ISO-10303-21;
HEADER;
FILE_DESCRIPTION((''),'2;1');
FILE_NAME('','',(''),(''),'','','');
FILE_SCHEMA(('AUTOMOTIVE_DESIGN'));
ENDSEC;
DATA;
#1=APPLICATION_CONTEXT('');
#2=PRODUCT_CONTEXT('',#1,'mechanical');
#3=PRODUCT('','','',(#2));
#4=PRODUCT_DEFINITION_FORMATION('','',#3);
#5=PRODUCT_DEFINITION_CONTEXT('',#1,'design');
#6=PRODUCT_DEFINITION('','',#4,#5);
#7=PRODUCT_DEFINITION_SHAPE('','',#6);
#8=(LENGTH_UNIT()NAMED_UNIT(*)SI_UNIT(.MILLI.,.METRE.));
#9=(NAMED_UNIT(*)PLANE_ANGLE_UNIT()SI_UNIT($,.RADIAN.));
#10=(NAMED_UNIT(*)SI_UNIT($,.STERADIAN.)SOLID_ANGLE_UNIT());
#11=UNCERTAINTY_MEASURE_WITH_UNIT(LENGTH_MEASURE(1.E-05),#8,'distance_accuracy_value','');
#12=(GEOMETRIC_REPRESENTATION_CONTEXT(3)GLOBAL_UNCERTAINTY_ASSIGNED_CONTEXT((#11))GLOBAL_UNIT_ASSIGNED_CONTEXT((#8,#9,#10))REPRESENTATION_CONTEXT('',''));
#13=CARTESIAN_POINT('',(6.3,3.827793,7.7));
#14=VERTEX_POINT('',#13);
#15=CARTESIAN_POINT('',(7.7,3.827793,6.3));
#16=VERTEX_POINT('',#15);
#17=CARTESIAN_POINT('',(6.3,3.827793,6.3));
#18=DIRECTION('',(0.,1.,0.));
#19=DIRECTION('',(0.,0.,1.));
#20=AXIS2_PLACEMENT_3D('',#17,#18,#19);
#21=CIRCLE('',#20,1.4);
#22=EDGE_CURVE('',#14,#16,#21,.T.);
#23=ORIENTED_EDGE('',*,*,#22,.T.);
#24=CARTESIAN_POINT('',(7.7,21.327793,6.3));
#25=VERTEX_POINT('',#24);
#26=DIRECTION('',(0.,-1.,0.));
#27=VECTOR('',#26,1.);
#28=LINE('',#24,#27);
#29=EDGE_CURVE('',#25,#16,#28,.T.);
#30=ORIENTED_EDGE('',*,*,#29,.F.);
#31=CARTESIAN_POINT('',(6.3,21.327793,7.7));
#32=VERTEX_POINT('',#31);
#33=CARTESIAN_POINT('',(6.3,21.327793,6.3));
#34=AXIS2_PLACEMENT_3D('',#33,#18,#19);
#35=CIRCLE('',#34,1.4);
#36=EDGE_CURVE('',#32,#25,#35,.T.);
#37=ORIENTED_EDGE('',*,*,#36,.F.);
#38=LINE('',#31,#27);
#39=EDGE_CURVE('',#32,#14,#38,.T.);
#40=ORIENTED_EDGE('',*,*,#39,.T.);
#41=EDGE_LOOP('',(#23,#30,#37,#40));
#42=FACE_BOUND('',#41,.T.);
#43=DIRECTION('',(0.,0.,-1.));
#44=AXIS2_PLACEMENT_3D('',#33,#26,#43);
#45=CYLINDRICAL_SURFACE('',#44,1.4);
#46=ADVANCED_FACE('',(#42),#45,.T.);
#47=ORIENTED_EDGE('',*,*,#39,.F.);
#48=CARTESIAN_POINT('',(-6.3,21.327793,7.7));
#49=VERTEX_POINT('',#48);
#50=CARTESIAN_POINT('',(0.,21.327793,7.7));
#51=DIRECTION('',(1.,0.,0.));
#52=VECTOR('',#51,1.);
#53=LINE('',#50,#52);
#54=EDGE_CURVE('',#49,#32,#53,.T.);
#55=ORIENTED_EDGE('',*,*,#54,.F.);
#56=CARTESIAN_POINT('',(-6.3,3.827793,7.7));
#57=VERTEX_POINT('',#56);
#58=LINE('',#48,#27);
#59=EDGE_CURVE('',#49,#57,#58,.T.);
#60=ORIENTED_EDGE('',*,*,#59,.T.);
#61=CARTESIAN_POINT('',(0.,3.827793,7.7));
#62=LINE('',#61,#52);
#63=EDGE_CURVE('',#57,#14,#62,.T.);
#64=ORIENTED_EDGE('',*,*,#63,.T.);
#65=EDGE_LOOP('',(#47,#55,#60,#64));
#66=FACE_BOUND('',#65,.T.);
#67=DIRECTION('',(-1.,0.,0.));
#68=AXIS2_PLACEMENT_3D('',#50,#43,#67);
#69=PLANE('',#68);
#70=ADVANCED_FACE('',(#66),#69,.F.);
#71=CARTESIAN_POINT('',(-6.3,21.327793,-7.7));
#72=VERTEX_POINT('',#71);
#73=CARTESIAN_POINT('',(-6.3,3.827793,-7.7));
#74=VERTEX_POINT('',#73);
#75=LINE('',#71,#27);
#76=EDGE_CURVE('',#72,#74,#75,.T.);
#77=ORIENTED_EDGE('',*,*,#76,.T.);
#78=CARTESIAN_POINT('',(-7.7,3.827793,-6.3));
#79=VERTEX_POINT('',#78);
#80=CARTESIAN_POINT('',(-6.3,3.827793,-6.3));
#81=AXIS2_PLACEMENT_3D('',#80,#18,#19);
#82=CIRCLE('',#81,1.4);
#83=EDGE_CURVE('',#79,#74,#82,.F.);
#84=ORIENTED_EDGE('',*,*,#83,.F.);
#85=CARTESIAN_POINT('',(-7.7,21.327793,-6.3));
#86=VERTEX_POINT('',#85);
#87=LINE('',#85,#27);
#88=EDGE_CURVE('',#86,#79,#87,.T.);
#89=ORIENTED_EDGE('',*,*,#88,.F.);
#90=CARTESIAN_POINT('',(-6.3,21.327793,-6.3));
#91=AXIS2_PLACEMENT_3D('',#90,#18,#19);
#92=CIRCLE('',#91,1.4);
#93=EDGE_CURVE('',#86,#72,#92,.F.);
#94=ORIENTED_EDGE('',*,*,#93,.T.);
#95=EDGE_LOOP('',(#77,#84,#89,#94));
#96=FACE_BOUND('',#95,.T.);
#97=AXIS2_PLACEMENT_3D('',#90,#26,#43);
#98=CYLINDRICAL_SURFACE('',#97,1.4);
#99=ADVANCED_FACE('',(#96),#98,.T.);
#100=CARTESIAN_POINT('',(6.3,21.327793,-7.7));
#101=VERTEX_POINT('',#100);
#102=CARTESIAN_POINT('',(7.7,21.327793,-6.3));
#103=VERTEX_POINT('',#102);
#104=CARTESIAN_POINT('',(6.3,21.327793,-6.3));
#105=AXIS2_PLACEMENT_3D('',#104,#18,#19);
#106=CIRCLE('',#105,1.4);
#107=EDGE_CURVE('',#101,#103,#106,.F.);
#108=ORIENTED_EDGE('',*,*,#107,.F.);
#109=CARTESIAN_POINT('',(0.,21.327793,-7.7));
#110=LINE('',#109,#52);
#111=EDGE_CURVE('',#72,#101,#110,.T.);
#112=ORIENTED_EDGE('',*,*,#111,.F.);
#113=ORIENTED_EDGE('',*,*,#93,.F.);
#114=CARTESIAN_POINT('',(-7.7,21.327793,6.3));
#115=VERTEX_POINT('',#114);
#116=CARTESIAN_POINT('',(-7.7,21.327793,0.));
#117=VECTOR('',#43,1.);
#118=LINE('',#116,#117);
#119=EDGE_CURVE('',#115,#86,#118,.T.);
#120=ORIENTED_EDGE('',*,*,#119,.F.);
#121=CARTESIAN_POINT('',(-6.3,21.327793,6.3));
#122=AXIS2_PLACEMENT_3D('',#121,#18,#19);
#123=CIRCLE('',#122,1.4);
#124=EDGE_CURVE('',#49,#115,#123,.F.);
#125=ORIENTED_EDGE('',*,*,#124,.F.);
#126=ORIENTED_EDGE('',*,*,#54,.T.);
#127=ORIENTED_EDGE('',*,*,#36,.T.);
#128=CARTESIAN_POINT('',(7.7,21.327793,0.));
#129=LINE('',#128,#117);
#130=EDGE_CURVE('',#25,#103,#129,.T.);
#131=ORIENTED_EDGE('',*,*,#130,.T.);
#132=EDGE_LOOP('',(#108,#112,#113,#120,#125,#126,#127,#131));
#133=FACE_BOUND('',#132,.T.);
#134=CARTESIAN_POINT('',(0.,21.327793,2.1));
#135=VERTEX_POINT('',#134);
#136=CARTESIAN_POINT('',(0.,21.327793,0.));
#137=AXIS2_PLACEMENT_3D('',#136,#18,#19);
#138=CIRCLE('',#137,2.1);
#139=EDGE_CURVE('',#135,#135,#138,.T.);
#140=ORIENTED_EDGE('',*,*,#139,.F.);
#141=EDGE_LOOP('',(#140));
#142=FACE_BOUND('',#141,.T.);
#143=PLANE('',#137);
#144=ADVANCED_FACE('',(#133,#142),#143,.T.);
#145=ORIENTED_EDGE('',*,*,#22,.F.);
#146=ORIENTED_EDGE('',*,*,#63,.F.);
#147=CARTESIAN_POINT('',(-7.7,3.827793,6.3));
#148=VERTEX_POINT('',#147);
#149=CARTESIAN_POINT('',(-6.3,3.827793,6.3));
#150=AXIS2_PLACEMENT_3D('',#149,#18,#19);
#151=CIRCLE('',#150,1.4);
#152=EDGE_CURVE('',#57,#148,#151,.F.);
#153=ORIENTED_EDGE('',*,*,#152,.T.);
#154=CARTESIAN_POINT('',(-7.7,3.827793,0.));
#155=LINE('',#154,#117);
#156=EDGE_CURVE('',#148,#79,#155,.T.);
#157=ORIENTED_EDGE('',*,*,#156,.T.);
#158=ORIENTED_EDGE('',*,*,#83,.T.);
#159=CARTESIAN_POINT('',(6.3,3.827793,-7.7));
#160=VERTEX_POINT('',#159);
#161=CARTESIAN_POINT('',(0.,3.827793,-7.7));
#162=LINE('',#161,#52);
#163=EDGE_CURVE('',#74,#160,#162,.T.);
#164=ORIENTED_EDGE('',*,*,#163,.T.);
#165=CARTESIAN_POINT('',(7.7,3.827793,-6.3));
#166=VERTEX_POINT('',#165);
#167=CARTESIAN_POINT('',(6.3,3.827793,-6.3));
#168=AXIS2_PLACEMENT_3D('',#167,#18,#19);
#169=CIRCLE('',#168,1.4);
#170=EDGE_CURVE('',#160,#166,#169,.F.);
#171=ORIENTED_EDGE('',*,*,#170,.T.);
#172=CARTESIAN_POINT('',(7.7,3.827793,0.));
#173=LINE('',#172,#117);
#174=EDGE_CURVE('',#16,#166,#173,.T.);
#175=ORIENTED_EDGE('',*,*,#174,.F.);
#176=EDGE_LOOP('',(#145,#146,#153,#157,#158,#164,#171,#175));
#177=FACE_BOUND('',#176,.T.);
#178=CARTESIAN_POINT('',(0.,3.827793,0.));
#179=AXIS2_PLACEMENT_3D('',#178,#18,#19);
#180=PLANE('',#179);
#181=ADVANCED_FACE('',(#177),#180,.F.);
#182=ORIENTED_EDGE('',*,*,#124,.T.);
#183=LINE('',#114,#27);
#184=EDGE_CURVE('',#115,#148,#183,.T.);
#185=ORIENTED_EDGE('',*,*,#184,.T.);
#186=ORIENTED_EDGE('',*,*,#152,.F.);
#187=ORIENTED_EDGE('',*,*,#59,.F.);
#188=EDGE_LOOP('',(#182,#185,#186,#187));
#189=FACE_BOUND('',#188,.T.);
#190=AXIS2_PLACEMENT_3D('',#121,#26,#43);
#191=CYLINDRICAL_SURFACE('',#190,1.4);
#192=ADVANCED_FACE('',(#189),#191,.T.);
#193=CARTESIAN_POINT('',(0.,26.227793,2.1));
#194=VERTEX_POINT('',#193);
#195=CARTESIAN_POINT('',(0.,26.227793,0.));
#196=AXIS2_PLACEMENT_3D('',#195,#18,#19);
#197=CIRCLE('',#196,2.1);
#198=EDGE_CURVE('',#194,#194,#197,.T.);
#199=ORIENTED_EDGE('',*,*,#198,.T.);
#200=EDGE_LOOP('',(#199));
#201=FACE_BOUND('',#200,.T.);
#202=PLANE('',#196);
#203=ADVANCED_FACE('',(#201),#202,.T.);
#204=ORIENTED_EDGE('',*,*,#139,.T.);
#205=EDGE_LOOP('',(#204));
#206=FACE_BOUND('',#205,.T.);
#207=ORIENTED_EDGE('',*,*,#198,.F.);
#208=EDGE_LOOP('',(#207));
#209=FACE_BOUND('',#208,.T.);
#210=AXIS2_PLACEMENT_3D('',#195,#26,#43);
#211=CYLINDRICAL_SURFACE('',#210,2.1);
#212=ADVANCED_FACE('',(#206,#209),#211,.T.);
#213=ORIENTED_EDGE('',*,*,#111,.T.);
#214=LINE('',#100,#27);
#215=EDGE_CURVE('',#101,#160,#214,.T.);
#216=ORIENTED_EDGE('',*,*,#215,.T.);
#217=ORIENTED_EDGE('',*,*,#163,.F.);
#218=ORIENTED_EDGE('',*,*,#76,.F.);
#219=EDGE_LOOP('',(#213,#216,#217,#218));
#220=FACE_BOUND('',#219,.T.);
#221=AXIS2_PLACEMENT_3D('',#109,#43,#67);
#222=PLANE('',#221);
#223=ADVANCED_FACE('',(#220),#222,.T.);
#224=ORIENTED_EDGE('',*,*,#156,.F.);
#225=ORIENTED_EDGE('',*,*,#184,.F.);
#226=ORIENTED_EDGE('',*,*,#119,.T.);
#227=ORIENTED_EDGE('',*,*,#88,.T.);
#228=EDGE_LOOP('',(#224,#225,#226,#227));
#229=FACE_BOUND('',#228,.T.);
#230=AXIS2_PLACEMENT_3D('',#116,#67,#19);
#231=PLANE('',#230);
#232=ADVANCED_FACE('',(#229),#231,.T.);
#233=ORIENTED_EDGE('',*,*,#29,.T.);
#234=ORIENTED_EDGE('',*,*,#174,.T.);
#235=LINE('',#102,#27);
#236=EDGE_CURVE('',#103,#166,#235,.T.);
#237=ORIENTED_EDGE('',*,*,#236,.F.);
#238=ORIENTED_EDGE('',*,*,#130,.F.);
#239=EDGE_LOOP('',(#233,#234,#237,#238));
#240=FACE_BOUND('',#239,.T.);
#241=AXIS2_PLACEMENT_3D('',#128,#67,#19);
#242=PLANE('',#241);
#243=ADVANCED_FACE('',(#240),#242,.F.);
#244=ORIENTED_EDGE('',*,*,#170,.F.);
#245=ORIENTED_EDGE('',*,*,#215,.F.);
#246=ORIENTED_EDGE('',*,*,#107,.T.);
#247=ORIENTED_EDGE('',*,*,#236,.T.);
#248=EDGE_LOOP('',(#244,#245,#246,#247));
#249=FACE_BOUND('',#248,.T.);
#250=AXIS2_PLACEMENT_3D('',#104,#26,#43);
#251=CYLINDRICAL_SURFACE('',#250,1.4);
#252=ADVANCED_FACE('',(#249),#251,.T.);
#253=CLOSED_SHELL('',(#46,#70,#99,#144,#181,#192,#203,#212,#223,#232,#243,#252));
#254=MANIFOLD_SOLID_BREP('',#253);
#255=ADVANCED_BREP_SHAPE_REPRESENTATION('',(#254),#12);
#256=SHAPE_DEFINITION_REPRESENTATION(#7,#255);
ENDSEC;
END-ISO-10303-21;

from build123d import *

# Parameters (mm, degrees)
SKETCH1_R           = 6
BOSS_EXTRUDE1_DEPTH = 25
SKETCH2_R           = 3
BOSS_EXTRUDE2_DEPTH = 7
SCALE1_SCALE        = 0.7


with BuildPart() as part:
    # Sketch1 → Boss-Extrude1 (new body)
    # profile 1 of 2: a face of its own
    with BuildSketch(Plane(origin=(0, 0, 0), x_dir=(1, 0, 0), z_dir=(0, 1, 0))):
        with BuildLine():
            ThreePointArc((-11, 9), (-10.414213562, 10.414213562), (-9, 11))
            Line((-9, 11), (9, 11))
            ThreePointArc((9, 11), (10.414213562, 10.414213562), (11, 9))
            Line((11, 9), (11, -9))
            ThreePointArc((11, -9), (10.414213562, -10.414213562), (9, -11))
            Line((9, -11), (-9, -11))
            ThreePointArc((-9, -11), (-10.414213562, -10.414213562), (-11, -9))
            Line((-11, -9), (-11, 9))
        make_face()
        Circle(SKETCH1_R, mode=Mode.SUBTRACT)
    # profile 2 of 2: a face of its own
    with BuildSketch(Plane(origin=(0, 0, 0), x_dir=(1, 0, 0), z_dir=(0, 1, 0))):
        Circle(SKETCH1_R)
    extrude(amount=BOSS_EXTRUDE1_DEPTH)

    # Sketch2 → Boss-Extrude2 (add)
    with BuildSketch(Plane(origin=(0, 25, 0), x_dir=(1, 0, 0), z_dir=(0, 1, 0))):
        with Locations(Location((0, 0, 0), (0, 0, 270))):
            Circle(SKETCH2_R)
    extrude(amount=BOSS_EXTRUDE2_DEPTH)


with BuildPart() as part_1:
    # Scale1: scaled about (0, 12.759310903, 0)
    add(part.part.scale(SCALE1_SCALE).moved(Location((0, 3.827793271, 0))))


solid = part_1.part
